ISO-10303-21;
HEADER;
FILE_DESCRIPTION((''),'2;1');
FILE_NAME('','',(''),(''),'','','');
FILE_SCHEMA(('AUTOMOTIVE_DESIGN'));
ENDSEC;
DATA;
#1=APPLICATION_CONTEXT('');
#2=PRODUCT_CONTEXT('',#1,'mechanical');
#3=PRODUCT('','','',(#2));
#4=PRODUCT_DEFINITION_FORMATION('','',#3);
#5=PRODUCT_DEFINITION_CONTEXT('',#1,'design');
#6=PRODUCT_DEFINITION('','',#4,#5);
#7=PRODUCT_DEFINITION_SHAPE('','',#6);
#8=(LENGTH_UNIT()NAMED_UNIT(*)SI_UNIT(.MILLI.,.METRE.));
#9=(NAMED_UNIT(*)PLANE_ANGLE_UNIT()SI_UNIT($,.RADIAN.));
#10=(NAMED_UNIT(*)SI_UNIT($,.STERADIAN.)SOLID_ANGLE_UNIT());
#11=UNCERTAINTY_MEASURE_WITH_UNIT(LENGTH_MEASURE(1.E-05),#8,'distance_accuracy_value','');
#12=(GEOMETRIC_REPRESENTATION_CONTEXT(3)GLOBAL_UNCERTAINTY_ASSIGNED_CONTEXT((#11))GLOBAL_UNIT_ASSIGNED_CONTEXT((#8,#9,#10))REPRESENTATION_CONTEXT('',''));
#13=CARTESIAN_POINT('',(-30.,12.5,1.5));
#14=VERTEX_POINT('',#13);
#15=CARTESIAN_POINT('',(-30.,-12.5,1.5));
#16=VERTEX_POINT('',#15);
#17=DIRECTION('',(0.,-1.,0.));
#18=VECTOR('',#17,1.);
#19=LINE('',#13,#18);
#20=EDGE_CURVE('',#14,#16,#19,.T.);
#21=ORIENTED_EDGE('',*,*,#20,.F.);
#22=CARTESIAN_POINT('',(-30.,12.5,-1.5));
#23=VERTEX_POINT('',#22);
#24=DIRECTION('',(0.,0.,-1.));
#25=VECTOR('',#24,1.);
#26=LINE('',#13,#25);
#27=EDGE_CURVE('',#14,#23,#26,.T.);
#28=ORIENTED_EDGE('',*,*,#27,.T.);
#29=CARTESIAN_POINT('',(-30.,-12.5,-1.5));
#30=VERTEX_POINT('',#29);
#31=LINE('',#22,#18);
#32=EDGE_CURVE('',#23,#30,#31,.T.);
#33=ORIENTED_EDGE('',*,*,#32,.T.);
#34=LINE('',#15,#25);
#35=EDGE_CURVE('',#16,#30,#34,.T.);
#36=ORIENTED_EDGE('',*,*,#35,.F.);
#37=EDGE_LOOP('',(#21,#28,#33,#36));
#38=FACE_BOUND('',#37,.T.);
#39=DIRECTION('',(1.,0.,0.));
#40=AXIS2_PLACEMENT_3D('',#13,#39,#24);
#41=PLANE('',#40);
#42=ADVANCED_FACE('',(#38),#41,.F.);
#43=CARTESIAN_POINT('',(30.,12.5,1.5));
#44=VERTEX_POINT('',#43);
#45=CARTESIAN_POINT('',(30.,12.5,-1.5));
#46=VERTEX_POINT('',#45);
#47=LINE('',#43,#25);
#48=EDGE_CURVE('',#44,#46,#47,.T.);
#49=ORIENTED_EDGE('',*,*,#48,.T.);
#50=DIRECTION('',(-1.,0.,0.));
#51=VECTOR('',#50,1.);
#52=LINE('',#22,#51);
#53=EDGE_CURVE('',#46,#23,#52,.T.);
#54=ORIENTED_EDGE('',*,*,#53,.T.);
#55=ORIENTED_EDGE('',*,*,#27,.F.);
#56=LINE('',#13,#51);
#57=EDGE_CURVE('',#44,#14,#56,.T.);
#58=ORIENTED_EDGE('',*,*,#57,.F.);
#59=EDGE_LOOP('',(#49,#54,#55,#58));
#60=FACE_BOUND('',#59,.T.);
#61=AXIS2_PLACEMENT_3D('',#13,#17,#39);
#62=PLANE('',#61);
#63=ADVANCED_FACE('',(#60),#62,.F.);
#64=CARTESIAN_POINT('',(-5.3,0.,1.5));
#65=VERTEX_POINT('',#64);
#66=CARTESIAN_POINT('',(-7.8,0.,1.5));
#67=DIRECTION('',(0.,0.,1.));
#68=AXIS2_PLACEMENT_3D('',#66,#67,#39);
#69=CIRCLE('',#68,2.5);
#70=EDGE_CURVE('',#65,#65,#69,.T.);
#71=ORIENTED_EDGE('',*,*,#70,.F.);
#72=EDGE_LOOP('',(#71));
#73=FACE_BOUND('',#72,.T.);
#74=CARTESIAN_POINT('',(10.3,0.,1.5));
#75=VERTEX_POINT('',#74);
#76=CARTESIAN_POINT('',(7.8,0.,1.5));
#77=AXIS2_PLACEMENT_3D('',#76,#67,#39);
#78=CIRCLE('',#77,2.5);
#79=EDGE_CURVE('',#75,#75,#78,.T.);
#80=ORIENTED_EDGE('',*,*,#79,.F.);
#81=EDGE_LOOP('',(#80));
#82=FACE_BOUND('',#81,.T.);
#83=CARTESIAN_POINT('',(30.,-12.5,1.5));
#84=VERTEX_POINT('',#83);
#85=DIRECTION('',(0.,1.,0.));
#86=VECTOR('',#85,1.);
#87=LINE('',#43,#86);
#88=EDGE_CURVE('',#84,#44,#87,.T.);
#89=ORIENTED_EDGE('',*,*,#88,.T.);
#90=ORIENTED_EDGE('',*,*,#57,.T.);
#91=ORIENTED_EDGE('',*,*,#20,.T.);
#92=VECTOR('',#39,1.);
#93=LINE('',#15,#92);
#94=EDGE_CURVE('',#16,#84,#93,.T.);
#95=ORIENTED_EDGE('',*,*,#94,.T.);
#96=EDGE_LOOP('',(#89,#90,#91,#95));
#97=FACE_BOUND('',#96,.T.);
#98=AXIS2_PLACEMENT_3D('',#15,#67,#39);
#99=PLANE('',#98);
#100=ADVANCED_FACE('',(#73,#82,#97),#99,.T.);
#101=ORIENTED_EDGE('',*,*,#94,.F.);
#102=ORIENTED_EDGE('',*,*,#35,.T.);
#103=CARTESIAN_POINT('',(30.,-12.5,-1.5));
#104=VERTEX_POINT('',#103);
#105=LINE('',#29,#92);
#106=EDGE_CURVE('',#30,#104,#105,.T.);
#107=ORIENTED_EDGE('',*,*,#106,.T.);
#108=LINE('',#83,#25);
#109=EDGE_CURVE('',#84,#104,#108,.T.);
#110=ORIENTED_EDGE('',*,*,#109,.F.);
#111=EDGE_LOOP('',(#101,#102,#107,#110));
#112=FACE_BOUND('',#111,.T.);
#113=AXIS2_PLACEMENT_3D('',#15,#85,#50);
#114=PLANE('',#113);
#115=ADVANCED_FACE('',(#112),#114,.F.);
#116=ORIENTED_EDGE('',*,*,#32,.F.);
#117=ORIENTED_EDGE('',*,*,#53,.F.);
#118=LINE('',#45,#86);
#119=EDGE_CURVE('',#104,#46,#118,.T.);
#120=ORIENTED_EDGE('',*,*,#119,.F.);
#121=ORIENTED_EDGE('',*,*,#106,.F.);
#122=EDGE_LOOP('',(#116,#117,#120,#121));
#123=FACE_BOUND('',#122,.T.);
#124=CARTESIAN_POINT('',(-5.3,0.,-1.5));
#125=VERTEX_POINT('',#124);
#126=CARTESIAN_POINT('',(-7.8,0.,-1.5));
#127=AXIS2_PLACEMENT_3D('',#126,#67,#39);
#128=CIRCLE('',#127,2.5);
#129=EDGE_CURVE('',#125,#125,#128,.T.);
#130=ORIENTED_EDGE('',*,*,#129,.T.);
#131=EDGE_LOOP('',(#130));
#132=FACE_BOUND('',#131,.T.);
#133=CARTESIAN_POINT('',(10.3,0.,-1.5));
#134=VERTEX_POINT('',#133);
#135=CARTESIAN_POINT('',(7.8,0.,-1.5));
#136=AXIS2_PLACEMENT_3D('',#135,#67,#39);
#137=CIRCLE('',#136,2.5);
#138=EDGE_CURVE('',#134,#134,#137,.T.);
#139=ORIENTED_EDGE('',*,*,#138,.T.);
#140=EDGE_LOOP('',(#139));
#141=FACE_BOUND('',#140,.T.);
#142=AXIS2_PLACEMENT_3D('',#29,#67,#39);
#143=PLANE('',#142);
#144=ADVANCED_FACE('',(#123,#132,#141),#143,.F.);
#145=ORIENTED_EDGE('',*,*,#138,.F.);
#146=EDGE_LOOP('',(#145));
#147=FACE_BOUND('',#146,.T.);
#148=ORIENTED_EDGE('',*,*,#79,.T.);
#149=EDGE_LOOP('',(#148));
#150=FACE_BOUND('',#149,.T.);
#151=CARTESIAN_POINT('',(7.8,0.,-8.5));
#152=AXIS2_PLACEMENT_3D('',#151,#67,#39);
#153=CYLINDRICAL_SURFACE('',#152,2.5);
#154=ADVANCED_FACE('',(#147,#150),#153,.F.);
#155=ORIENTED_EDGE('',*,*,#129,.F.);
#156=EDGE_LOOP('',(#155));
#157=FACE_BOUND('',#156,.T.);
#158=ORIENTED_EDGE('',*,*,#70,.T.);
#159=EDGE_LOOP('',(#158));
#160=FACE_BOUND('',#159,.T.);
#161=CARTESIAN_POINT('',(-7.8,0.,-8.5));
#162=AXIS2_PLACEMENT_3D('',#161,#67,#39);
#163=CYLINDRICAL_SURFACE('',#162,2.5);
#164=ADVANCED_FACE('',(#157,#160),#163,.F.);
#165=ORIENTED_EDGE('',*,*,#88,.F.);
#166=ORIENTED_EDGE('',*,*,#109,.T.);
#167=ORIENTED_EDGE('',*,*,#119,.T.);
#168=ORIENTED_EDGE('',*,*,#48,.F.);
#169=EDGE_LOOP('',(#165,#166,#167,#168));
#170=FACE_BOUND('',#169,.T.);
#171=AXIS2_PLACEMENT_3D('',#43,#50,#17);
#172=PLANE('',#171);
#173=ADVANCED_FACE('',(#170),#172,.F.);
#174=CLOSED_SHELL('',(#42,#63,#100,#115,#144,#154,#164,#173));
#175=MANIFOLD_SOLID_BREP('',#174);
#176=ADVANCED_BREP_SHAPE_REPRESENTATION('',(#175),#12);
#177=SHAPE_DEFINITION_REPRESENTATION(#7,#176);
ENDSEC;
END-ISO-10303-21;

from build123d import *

# Parameters (mm, degrees)
SKETCH1_W          = 60
SKETCH1_H          = 25
EXTRUDE1_DEPTH     = 1.5
SKETCH2_R          = 2.5
CUT_EXTRUDE1_DEPTH = 10


with BuildPart() as part:
    # Sketch1 → Extrude1 (new, symmetric)
    with BuildSketch(Plane.XY):
        Rectangle(SKETCH1_W, SKETCH1_H)
    extrude(amount=EXTRUDE1_DEPTH, both=True)

    # Sketch2 → Cut-Extrude1 (cut)
    with BuildSketch(Plane.XY.offset(1.5)):
        with Locations((-7.8, 0)):
            Circle(SKETCH2_R)
        with Locations((7.8, 0)):
            Circle(SKETCH2_R)
    extrude(amount=-CUT_EXTRUDE1_DEPTH, mode=Mode.SUBTRACT)


solid = part.part
